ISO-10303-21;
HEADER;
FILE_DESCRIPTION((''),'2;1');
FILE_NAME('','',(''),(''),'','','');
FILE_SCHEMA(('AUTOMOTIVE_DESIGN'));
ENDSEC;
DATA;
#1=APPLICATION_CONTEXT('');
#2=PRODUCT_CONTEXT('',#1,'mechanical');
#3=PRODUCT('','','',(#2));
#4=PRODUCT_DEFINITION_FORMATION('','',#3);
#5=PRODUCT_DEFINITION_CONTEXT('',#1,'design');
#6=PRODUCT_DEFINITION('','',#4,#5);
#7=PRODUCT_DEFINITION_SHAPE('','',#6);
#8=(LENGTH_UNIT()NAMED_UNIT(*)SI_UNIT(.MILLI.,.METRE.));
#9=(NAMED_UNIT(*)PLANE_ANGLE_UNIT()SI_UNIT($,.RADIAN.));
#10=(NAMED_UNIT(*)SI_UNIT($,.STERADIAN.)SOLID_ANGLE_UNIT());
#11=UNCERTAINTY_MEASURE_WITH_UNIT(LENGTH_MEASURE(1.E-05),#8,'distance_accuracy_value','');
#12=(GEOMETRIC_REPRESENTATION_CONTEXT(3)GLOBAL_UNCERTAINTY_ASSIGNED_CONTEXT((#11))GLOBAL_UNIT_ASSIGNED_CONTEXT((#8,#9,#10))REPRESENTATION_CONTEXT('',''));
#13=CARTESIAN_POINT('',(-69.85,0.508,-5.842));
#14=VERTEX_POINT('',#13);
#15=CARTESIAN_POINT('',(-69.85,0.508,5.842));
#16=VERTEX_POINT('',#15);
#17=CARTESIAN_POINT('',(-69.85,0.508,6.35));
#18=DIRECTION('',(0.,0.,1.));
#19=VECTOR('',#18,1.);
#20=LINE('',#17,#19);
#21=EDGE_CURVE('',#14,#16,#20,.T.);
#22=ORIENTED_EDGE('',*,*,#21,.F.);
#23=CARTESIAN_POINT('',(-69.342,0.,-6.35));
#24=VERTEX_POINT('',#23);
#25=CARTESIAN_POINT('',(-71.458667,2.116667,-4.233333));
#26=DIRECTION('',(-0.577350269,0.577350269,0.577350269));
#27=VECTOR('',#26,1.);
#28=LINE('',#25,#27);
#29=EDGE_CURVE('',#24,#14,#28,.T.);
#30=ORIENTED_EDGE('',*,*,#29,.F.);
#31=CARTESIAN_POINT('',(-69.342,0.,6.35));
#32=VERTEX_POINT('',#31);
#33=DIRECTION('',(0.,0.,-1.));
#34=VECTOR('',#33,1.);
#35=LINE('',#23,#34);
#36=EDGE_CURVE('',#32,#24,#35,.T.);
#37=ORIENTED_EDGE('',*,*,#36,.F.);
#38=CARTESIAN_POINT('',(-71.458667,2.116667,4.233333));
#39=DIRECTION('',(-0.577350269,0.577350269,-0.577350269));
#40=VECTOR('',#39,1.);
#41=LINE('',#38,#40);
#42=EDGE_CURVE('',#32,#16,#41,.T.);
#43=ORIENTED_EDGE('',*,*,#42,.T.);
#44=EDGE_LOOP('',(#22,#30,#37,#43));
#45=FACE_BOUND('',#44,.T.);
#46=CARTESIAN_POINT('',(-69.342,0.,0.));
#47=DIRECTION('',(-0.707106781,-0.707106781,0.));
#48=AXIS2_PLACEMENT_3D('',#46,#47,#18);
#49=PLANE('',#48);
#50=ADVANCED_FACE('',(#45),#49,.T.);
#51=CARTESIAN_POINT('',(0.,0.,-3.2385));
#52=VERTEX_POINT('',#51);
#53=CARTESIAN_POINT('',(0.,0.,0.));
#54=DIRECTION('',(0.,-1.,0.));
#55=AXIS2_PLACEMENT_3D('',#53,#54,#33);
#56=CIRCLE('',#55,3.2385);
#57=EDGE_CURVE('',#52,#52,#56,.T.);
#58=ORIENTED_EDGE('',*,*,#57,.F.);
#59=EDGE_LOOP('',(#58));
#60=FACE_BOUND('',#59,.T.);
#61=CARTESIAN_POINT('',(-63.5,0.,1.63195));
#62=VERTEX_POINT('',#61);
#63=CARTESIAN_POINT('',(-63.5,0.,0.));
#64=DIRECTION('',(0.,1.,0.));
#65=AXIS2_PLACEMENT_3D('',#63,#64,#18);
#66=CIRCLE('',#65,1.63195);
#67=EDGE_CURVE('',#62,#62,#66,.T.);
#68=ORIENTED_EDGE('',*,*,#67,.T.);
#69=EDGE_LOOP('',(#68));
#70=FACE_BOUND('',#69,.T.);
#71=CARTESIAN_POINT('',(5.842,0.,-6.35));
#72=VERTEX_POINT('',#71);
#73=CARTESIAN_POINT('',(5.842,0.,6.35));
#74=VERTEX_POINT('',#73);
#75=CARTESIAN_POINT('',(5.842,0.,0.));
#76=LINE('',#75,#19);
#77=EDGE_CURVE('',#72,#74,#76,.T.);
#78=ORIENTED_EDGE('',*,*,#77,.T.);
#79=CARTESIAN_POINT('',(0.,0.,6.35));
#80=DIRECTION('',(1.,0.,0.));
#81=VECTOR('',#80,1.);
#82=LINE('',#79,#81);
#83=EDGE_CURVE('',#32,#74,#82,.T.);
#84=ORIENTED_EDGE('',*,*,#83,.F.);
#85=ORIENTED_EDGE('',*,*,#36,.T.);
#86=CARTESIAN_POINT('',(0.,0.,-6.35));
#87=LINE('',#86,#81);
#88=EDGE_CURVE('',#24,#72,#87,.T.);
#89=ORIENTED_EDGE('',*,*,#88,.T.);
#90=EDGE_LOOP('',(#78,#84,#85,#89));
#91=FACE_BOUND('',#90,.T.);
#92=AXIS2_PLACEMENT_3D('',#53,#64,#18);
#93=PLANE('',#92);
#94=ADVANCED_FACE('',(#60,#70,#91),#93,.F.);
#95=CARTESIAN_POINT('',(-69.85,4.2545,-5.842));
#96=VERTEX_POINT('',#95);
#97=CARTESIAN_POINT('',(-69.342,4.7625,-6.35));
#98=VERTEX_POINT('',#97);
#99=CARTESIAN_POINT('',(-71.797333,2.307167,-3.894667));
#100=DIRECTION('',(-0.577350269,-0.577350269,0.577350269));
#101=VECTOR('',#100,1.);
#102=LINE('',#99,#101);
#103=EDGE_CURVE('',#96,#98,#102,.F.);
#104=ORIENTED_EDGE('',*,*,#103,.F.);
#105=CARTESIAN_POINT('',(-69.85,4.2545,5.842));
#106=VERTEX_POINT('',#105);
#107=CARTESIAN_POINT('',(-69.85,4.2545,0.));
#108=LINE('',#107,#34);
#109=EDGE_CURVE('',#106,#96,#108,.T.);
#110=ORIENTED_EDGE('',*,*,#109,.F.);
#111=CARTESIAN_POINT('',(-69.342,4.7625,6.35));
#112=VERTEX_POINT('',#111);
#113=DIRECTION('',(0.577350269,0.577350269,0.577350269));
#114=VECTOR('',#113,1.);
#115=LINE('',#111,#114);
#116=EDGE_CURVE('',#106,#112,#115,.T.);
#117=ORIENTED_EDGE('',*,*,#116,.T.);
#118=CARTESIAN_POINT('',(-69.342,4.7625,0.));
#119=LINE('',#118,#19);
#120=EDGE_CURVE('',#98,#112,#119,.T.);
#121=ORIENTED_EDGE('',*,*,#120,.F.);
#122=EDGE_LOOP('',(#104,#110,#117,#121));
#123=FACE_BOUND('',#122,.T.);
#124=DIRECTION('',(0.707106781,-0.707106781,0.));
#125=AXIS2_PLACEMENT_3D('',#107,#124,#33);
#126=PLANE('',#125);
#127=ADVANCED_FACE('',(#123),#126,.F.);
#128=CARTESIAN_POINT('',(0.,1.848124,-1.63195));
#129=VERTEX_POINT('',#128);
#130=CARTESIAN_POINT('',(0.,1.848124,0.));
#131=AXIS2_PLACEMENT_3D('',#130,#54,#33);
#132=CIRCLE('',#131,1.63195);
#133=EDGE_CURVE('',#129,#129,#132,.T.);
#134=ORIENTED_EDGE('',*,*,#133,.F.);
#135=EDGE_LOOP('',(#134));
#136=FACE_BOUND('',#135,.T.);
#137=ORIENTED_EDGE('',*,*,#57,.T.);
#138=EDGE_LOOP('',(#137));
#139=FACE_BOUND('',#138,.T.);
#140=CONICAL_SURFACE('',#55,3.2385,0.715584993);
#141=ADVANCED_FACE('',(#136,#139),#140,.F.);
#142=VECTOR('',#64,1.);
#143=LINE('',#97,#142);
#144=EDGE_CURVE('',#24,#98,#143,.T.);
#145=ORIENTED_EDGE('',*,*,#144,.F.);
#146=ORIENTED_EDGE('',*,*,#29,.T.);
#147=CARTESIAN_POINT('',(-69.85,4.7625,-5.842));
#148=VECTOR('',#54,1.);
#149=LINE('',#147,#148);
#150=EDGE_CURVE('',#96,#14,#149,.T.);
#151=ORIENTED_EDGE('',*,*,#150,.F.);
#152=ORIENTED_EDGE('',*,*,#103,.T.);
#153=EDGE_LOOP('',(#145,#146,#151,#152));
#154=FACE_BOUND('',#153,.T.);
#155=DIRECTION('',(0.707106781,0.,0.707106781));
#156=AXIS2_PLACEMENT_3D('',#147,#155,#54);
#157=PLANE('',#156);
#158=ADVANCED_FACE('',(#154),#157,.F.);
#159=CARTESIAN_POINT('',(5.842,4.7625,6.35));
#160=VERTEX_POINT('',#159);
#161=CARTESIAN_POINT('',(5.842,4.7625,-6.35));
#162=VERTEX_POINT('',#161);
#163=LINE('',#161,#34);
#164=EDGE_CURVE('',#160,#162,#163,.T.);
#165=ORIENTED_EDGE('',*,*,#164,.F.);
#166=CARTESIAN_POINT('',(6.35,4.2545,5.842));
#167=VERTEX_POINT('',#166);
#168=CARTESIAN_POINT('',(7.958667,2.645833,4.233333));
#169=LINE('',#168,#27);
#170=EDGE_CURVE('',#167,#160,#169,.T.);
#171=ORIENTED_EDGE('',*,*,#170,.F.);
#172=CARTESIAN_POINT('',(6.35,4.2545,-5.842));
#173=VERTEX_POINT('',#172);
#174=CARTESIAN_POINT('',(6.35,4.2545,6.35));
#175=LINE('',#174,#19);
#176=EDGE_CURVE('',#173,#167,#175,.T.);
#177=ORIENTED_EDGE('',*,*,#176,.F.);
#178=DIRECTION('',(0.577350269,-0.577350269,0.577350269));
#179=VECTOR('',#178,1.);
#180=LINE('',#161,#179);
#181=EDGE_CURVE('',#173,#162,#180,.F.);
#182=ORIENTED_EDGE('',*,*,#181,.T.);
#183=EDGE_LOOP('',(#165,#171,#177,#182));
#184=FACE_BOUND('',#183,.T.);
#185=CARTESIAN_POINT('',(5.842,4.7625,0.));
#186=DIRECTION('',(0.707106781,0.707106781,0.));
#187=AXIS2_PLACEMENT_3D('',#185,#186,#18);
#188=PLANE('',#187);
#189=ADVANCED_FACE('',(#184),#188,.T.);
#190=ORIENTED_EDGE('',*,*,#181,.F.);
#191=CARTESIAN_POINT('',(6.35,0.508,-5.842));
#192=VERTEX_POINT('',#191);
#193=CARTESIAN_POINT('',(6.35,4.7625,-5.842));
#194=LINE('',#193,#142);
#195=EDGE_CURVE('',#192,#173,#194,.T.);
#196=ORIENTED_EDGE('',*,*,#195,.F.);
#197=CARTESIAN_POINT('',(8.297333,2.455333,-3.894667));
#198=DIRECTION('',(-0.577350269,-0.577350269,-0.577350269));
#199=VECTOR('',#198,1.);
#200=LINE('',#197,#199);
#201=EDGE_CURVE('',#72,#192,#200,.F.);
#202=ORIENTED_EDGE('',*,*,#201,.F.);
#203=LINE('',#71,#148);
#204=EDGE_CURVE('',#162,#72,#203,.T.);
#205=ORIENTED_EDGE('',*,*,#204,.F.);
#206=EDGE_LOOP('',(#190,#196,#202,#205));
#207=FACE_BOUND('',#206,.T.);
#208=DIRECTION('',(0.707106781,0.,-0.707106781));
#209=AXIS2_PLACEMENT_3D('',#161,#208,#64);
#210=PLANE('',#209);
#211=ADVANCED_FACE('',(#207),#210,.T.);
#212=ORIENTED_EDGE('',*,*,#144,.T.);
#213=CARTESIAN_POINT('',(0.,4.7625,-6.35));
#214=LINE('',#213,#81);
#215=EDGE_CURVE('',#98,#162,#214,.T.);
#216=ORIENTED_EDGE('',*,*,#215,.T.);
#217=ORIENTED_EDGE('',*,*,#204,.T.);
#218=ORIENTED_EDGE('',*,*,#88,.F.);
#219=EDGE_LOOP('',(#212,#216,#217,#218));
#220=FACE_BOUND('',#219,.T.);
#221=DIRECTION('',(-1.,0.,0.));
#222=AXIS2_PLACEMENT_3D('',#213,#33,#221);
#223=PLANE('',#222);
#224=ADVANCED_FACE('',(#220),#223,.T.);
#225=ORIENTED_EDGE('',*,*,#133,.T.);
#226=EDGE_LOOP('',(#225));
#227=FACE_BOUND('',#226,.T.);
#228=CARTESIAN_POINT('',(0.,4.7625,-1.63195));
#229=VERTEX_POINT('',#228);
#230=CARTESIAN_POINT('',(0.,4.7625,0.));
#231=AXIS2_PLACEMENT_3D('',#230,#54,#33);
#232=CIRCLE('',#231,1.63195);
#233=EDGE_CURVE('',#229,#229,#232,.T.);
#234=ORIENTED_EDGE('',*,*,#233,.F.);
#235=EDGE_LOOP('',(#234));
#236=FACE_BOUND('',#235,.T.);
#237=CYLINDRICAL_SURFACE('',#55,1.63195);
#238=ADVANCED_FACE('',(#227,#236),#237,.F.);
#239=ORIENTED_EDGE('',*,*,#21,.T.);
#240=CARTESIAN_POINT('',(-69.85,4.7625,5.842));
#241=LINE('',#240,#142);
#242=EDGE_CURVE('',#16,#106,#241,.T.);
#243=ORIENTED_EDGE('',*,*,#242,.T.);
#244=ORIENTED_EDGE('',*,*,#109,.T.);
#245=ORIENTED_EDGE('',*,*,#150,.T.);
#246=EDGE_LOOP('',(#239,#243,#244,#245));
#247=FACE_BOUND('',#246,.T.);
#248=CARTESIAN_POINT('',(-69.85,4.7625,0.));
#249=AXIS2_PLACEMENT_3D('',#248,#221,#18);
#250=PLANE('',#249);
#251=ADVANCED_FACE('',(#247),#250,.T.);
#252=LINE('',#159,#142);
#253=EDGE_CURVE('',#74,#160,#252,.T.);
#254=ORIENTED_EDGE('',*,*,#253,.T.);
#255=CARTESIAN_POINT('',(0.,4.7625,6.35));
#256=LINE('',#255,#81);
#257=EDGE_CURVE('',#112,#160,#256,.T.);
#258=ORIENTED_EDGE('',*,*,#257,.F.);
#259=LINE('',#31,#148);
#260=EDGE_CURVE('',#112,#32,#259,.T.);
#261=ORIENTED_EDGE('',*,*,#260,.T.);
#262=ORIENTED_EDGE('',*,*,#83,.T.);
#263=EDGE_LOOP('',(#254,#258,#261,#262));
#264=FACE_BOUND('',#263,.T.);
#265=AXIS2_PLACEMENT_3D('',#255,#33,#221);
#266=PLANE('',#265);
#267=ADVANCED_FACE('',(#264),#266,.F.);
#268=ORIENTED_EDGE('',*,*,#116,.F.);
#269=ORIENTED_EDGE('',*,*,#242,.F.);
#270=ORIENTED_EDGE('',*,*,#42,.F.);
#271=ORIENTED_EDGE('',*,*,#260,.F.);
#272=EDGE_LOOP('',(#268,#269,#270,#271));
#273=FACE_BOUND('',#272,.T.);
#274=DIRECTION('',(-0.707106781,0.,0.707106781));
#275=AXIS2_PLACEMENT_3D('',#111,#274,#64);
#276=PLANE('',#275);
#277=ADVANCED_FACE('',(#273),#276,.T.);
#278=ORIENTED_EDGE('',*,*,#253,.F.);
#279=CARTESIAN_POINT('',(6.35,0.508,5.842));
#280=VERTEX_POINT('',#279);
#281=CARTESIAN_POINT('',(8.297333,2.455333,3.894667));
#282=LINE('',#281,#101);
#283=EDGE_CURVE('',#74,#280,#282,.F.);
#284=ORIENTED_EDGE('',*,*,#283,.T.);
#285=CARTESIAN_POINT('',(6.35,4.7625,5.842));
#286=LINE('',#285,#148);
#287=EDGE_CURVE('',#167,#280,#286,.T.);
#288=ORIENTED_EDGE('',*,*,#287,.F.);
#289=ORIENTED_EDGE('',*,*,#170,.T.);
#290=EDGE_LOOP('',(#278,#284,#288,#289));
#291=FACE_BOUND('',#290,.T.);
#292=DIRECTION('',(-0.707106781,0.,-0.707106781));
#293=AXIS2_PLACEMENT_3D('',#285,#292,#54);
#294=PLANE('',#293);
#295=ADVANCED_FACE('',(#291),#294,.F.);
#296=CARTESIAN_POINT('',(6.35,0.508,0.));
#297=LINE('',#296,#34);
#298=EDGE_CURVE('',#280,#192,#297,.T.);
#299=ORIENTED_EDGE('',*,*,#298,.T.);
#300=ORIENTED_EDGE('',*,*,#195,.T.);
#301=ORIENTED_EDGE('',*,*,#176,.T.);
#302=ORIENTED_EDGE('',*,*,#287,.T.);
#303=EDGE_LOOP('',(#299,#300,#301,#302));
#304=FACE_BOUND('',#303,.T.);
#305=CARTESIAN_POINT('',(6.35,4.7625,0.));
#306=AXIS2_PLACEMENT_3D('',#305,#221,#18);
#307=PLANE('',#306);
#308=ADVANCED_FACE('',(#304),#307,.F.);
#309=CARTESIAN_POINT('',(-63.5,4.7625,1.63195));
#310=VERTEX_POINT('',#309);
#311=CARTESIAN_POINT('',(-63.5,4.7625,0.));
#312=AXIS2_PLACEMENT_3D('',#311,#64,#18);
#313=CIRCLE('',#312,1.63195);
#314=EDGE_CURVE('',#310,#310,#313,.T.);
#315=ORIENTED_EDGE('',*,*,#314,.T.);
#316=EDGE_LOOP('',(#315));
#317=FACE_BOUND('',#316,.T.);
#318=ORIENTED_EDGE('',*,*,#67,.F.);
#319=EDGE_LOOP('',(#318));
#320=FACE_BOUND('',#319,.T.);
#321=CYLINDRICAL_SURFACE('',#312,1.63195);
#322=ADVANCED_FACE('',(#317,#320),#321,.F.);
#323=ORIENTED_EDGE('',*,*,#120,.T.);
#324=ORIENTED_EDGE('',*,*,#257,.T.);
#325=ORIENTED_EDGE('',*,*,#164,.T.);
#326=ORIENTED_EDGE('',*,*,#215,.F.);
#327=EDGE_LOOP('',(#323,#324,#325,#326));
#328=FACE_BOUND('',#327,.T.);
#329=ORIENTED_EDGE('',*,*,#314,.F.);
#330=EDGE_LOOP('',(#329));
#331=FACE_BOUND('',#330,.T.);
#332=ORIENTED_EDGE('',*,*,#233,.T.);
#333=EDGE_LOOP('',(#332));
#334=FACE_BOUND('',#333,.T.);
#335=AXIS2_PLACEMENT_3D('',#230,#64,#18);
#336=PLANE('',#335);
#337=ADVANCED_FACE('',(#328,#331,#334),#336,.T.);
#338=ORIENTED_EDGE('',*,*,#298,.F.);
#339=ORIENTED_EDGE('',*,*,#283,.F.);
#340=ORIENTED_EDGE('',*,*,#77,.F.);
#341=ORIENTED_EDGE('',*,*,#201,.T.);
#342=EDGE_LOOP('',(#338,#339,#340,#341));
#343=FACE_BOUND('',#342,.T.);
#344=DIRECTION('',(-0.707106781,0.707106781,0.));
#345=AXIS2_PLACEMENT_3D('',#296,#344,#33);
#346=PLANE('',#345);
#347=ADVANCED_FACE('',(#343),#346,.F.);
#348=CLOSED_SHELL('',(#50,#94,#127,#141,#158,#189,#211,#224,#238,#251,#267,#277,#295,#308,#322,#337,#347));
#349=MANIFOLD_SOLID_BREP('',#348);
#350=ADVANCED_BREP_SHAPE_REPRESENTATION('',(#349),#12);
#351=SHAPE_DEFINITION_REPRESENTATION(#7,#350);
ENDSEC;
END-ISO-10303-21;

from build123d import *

# Parameters (mm, degrees)
SKETCH1_W                                         = 76.2
SKETCH1_H                                         = 12.7
BOSS_EXTRUDE2_DEPTH                               = 4.7625
F_4_CLEARANCE_HOLE1_D                             = 3.2639
CSK_FOR_4_FLAT_HEAD_SOCKET_CAP_SCREW2_D           = 3.2639
CSK_FOR_4_FLAT_HEAD_SOCKET_CAP_SCREW2_CSINK_D     = 6.477
CSK_FOR_4_FLAT_HEAD_SOCKET_CAP_SCREW2_CSINK_ANGLE = 82
CHAMFER1_SIZE                                     = 0.508


with BuildPart() as part:
    # Sketch1 → Boss-Extrude2 (new body)
    with BuildSketch(Plane(origin=(0, 0, 0), x_dir=(1, 0, 0), z_dir=(0, 1, 0))):
        with Locations((-31.75, 0)):
            Rectangle(SKETCH1_W, SKETCH1_H)
    extrude(amount=BOSS_EXTRUDE2_DEPTH)

    # #4 Clearance Hole1 (through all)
    with Locations(Plane(origin=(0, 4.7625, 0), x_dir=(1, 0, 0), z_dir=(0, 1, 0))):
        with Locations((-63.5, 0)):
            Hole(F_4_CLEARANCE_HOLE1_D / 2)

    # CSK for #4 Flat Head Socket Cap Screw2 (through all)
    with Locations(Plane(origin=(0, 0, 0), x_dir=(-1, 0, 0), z_dir=(0, -1, 0))):
        with Locations((0, 0)):
            CounterSinkHole(CSK_FOR_4_FLAT_HEAD_SOCKET_CAP_SCREW2_D / 2, CSK_FOR_4_FLAT_HEAD_SOCKET_CAP_SCREW2_CSINK_D / 2, counter_sink_angle=CSK_FOR_4_FLAT_HEAD_SOCKET_CAP_SCREW2_CSINK_ANGLE)

    # Chamfer1
    chamfer1_edges = [part.edges().sort_by_distance(p)[0] for p in [
        (-69.85, 2.38125, 6.35),
        (-69.85, 2.38125, -6.35),
        (6.35, 2.38125, -6.35),
        (6.35, 2.38125, 6.35),
        (6.35, 4.7625, 0),
        (-69.85, 4.7625, 0),
        (-69.85, 0, 0),
        (6.35, 0, 0),
    ]]
    chamfer(chamfer1_edges, length=CHAMFER1_SIZE)


solid = part.part
